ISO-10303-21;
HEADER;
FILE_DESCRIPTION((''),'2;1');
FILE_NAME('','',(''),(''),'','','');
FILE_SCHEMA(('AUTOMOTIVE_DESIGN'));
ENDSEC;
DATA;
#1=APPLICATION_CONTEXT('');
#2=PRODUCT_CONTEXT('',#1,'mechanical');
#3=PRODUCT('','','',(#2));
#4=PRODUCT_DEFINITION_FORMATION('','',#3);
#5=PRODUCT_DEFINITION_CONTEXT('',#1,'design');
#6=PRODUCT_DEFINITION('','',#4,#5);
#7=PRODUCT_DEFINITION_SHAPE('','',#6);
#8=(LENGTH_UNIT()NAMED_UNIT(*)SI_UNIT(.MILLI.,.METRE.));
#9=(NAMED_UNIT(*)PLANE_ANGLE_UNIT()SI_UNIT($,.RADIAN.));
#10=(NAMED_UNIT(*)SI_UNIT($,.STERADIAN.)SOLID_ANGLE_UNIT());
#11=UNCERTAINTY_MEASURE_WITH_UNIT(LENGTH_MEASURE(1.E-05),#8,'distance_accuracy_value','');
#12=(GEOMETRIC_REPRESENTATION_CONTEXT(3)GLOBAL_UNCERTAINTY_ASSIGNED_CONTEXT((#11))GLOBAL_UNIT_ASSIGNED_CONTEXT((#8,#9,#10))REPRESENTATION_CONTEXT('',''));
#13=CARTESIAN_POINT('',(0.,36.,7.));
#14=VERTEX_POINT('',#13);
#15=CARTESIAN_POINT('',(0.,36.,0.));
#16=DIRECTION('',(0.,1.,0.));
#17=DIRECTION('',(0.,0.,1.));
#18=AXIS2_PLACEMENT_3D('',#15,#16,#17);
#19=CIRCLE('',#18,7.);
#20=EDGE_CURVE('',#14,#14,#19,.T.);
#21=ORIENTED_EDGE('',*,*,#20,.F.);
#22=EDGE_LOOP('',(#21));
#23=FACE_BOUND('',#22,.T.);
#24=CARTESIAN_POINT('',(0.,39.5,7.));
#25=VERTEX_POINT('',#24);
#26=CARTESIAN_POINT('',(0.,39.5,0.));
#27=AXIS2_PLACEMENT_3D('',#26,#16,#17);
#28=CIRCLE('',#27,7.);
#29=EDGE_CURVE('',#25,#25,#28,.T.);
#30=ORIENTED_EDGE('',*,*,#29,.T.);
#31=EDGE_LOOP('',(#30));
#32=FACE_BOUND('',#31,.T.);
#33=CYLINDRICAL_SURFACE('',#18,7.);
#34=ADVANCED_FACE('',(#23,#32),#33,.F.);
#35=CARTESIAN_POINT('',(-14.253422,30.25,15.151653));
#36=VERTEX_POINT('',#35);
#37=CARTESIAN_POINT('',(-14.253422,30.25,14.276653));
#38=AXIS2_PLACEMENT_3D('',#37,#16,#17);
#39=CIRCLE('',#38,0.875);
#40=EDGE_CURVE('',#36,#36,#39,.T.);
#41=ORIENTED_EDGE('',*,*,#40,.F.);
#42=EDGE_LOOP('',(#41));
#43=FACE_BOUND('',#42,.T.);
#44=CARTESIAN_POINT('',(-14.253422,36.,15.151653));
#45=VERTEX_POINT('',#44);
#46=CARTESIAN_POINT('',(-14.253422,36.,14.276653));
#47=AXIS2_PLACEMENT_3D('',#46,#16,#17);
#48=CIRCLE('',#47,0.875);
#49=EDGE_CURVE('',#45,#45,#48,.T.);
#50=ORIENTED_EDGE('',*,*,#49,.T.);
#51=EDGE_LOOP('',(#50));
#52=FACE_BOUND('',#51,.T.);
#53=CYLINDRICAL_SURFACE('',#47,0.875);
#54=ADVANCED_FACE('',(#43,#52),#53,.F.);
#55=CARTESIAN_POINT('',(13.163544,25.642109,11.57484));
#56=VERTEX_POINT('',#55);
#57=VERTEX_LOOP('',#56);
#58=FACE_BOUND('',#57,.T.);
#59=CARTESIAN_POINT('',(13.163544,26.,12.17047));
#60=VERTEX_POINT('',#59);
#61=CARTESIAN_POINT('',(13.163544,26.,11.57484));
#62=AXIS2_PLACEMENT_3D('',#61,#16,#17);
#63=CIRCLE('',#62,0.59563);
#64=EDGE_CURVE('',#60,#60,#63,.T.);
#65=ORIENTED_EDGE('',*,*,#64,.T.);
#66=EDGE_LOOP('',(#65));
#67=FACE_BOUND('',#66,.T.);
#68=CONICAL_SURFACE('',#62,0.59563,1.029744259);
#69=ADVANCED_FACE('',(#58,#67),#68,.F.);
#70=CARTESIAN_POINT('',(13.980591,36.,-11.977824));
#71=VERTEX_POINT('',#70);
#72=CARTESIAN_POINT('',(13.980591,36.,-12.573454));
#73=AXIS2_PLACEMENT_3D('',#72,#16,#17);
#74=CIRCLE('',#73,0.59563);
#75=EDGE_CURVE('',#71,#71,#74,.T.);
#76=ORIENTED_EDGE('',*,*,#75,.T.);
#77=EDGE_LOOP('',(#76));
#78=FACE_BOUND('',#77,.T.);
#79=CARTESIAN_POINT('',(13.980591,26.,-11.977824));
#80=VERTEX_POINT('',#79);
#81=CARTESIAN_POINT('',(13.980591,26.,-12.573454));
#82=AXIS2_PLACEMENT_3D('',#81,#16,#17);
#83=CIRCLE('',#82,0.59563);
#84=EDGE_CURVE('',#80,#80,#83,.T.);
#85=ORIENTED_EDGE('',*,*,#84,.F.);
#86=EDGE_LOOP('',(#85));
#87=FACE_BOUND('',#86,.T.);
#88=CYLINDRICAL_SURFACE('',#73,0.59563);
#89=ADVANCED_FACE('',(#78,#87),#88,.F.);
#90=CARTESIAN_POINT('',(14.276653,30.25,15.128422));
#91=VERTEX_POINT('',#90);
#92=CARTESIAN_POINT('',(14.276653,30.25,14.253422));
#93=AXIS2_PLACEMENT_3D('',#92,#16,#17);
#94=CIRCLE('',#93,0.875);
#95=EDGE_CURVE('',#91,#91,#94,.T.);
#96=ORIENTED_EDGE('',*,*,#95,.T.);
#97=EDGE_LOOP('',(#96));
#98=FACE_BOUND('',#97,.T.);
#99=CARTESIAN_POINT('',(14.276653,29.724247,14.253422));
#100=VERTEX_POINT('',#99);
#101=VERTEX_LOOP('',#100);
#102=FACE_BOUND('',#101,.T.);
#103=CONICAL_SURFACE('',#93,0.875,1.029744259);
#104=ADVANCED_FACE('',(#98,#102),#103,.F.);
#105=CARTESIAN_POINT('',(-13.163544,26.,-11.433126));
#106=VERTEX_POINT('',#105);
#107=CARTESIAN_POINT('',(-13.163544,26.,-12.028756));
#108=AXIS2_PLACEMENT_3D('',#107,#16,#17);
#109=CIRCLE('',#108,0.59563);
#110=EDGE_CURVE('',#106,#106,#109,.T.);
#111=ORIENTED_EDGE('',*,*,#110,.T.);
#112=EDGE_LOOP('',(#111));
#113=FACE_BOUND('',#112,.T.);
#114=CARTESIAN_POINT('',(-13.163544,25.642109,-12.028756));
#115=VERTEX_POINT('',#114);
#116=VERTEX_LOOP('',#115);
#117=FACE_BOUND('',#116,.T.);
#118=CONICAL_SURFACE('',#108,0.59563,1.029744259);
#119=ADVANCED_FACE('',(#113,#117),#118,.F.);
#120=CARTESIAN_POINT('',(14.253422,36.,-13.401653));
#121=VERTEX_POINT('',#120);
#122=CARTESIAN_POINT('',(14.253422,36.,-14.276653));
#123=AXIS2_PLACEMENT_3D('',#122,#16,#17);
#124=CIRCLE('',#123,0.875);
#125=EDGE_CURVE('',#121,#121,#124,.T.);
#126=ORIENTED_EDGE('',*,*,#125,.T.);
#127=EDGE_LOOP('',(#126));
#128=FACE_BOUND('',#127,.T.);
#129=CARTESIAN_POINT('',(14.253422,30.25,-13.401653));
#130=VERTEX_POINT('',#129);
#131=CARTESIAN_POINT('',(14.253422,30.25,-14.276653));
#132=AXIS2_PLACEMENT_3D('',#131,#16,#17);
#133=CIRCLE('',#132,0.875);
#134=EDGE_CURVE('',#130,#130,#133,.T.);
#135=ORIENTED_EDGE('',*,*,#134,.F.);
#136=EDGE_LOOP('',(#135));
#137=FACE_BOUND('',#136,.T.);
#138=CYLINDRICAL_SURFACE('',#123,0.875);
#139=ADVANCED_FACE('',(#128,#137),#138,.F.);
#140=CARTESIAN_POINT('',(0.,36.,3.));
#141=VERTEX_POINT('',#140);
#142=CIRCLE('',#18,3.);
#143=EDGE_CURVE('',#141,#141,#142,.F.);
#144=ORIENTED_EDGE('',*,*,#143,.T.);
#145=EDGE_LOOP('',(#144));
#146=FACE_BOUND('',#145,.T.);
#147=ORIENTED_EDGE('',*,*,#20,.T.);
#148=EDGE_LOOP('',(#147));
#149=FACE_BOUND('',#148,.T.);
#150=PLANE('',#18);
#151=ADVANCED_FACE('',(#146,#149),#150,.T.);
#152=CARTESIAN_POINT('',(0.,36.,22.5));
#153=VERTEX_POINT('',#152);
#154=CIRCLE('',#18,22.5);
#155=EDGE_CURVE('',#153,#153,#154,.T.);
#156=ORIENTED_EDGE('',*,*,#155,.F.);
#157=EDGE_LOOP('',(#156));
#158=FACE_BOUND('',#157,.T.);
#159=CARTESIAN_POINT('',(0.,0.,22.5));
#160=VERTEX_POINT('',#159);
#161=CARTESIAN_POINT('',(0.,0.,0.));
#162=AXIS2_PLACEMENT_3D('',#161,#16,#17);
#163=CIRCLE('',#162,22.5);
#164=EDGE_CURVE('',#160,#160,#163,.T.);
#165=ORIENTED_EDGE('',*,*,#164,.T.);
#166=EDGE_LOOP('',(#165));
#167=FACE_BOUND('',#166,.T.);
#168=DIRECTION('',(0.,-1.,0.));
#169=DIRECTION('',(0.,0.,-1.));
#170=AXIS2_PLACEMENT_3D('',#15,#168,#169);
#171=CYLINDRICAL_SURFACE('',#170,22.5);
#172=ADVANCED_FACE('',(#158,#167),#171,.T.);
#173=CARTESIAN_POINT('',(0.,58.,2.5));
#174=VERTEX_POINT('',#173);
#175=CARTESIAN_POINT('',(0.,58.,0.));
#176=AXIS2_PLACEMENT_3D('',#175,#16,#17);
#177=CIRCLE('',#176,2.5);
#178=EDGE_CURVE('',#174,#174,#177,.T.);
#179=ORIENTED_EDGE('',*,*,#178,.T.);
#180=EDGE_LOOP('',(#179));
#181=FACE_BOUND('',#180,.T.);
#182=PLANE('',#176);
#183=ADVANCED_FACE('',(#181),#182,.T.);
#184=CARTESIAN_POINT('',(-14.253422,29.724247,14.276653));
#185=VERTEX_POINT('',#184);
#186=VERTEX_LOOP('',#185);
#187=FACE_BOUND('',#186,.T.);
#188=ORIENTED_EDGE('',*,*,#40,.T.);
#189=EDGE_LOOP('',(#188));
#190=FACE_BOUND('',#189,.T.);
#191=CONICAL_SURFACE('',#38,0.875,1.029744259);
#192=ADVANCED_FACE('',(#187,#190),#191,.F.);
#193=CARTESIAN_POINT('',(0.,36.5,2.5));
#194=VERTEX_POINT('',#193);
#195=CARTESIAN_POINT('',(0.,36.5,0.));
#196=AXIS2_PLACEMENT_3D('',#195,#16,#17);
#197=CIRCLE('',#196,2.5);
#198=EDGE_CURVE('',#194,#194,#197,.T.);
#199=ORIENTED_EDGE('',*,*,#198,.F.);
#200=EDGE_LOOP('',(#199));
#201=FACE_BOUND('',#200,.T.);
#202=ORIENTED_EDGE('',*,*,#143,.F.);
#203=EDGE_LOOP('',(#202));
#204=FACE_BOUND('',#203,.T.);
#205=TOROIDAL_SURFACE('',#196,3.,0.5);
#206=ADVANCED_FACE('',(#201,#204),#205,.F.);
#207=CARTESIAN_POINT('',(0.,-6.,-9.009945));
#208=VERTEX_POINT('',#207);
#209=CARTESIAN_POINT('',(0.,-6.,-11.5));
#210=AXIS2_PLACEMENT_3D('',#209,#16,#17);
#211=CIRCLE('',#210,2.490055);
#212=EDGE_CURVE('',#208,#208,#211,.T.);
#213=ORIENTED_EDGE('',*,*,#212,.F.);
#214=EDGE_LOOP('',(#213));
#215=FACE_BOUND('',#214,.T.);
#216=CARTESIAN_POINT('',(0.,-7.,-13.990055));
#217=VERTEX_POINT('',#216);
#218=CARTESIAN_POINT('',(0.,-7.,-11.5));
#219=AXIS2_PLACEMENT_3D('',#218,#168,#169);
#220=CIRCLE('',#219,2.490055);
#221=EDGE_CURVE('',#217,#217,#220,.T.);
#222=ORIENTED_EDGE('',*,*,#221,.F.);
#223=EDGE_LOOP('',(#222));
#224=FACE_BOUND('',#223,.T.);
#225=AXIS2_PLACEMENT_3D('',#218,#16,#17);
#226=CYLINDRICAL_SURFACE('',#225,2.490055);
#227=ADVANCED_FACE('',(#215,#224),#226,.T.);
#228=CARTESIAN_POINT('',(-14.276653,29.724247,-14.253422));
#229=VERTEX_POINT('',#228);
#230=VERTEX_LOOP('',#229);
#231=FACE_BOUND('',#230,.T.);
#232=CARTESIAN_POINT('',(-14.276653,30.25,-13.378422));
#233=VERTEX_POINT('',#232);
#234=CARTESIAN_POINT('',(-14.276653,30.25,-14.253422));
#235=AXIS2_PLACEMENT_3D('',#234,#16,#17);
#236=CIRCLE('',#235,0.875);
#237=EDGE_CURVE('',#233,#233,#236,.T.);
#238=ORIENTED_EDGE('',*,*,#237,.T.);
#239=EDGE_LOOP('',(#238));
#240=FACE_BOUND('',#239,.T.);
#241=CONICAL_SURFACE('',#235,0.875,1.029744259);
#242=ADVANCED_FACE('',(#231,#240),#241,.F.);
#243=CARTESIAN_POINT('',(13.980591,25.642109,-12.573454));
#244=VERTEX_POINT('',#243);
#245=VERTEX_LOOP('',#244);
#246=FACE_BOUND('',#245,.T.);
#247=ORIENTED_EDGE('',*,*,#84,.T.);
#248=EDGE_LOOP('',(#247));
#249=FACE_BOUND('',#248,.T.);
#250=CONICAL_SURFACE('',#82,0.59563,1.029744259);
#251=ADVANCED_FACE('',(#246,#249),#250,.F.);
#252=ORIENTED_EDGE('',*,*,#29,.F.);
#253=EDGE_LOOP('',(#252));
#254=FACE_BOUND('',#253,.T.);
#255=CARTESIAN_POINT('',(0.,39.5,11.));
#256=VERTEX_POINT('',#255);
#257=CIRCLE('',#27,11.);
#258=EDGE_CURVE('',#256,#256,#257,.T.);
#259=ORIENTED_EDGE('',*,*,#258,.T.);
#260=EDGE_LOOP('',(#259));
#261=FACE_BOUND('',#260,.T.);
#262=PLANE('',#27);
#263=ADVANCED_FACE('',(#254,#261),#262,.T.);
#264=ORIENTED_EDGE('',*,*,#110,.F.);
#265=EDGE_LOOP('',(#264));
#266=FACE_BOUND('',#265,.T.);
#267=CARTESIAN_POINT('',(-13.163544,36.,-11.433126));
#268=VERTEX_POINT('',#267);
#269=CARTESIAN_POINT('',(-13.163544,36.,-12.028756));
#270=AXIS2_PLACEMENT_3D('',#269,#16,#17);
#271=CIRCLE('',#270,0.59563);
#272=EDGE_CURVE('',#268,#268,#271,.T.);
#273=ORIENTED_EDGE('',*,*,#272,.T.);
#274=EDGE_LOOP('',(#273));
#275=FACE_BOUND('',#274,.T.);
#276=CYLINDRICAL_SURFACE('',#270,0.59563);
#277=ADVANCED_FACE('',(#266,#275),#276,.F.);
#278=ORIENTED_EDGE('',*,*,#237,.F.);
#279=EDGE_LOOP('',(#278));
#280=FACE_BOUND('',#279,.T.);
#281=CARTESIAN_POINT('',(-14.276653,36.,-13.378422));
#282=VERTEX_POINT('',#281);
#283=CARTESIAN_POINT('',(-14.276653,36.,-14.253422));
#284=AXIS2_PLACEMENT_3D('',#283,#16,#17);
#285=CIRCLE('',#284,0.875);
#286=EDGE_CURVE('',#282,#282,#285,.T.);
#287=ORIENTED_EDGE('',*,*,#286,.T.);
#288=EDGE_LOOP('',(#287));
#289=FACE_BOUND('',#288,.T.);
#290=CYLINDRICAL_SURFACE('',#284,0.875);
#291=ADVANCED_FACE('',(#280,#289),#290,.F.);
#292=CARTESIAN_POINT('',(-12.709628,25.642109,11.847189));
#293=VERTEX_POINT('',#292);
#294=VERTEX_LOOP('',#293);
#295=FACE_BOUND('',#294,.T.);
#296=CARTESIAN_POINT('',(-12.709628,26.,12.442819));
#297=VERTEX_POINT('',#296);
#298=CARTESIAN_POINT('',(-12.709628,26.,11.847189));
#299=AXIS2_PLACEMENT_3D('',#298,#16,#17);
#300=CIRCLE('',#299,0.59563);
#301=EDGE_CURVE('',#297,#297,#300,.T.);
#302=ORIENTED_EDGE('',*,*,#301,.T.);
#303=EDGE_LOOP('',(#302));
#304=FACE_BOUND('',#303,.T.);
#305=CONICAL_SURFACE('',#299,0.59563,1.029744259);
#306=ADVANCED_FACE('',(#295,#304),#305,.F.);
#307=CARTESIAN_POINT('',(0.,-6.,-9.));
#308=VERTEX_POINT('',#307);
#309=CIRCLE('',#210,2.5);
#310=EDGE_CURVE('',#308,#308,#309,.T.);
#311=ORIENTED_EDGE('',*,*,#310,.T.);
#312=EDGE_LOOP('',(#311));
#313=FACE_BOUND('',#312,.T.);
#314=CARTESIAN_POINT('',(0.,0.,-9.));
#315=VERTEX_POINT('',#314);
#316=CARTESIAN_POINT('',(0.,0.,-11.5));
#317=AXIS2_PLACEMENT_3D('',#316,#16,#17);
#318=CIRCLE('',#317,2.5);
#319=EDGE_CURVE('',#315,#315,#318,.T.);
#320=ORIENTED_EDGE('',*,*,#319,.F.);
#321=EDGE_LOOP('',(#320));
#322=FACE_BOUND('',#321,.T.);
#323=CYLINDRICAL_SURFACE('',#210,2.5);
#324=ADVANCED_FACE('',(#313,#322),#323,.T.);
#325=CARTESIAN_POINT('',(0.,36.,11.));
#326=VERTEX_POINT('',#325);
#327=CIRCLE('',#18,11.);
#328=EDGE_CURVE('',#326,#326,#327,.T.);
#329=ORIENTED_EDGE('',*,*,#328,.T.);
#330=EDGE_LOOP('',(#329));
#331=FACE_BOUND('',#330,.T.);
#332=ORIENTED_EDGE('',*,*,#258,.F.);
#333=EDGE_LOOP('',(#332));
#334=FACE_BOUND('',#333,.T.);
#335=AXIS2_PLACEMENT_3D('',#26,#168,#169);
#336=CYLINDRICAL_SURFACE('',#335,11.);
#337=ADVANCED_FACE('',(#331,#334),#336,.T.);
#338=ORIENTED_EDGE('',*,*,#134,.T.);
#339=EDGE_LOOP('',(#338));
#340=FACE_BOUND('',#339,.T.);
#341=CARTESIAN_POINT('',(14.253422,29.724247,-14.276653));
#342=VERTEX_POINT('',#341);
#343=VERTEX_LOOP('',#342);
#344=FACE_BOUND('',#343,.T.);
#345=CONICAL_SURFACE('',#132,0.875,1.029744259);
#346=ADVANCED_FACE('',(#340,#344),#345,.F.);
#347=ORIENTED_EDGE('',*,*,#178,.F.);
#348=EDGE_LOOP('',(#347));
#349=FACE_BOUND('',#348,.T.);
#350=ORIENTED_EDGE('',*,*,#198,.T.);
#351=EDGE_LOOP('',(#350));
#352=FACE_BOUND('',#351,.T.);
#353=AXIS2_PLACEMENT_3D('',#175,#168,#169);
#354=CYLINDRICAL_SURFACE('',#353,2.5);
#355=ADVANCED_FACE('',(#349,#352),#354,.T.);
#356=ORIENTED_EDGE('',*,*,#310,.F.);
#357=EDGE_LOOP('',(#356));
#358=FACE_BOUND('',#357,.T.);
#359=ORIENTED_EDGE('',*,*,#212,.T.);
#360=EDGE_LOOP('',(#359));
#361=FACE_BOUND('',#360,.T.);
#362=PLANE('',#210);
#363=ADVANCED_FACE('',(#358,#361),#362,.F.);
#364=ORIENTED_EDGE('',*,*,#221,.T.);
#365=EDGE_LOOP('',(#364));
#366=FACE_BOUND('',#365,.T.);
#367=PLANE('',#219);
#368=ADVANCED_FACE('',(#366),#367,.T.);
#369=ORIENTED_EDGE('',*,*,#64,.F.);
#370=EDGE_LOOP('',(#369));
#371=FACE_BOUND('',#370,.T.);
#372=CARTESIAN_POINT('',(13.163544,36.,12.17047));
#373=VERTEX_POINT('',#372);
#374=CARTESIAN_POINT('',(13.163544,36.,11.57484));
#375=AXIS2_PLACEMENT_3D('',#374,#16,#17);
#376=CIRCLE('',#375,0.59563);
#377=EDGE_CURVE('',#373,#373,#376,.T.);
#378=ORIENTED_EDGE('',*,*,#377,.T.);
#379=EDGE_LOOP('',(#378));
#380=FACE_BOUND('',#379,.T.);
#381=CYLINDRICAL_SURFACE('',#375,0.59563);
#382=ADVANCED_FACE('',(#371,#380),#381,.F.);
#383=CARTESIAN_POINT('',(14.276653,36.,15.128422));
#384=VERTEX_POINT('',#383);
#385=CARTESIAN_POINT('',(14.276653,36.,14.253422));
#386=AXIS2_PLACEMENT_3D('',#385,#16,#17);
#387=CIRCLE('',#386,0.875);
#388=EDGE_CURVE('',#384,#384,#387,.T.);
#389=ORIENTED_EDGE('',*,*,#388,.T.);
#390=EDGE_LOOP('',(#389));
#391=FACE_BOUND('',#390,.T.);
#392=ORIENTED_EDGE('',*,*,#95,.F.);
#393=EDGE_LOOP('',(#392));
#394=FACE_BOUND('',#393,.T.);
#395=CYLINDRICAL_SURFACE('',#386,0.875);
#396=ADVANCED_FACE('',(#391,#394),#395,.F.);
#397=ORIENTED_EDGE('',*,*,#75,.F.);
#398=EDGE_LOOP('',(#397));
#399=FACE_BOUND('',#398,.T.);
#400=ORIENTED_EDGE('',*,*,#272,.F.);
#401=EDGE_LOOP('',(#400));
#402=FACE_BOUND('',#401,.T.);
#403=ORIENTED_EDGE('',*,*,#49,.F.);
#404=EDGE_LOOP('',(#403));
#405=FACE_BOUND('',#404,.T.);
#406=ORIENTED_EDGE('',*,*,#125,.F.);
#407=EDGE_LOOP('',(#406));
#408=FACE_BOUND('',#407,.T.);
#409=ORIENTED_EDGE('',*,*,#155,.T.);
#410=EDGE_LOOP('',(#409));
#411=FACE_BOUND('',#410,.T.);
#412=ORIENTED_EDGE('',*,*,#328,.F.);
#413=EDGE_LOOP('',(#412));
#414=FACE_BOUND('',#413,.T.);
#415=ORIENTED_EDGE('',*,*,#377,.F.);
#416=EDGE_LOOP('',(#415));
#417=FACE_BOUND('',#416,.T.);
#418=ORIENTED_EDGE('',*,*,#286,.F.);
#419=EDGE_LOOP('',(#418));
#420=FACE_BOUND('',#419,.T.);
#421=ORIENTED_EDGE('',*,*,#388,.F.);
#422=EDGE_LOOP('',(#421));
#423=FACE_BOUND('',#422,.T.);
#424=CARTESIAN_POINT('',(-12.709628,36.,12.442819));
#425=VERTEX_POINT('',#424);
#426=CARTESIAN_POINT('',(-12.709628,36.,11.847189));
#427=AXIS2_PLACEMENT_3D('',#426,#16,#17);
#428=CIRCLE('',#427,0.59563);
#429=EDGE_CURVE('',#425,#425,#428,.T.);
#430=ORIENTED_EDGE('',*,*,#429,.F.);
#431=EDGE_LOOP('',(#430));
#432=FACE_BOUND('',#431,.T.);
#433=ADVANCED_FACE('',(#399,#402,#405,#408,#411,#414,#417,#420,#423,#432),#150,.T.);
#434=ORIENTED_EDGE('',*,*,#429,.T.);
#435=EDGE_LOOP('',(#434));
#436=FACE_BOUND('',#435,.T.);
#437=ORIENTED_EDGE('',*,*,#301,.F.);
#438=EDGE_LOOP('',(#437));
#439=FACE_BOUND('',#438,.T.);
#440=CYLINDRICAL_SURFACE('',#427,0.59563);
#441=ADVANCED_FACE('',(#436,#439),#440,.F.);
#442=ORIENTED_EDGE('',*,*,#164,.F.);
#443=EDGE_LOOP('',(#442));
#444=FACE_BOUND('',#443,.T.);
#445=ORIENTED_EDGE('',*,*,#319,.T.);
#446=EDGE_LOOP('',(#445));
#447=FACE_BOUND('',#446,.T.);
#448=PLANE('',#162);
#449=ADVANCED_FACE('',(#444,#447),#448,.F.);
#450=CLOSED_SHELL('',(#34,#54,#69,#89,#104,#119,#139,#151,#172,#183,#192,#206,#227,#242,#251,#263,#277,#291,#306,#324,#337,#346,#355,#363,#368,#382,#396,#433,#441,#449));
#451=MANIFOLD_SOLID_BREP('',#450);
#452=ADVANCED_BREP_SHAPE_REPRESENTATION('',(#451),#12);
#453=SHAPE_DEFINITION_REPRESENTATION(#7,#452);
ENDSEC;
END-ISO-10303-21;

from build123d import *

# Parameters (mm, degrees)
SKETCH1_R                    = 22.5
BOSS_EXTRUDE1_DEPTH          = 36
SKETCH2_R                    = 11
BOSS_EXTRUDE2_DEPTH          = 3.5
SKETCH5_R                    = 7
CUT_EXTRUDE1_DEPTH           = 3.5
SKETCH6_R                    = 2.5
BOSS_EXTRUDE3_DEPTH          = 22
FILLET1_R                    = 0.5
M2_2X0_45_TAPPED_HOLE1_D     = 1.75
M2_2X0_45_TAPPED_HOLE1_DEPTH = 5.75
M2_2X0_45_TAPPED_HOLE1_TIP   = 0.525753042
SKETCH21_R                   = 2.490055496
BOSS_EXTRUDE6_DEPTH          = 7
F_0_80_TAPPED_HOLE3_D        = 1.19126
F_0_80_TAPPED_HOLE3_DEPTH    = 10
F_0_80_TAPPED_HOLE3_TIP      = 0.357890611
SKETCH17_R                   = 2.5
BOSS_EXTRUDE5_DEPTH          = 6


with BuildPart() as part:
    # Sketch1 → Boss-Extrude1 (new body)
    with BuildSketch(Plane(origin=(0, 0, 0), x_dir=(1, 0, 0), z_dir=(0, 1, 0))):
        Circle(SKETCH1_R)
    extrude(amount=BOSS_EXTRUDE1_DEPTH)

    # Sketch2 → Boss-Extrude2 (add)
    with BuildSketch(Plane(origin=(0, 36, 0), x_dir=(1, 0, 0), z_dir=(0, 1, 0))):
        Circle(SKETCH2_R)
    extrude(amount=BOSS_EXTRUDE2_DEPTH)

    # Sketch5 → Cut-Extrude1 (cut)
    with BuildSketch(Plane(origin=(0, 39.5, 0), x_dir=(1, 0, 0), z_dir=(0, 1, 0))):
        Circle(SKETCH5_R)
    extrude(amount=-CUT_EXTRUDE1_DEPTH, mode=Mode.SUBTRACT)

    # Sketch6 → Boss-Extrude3 (add)
    with BuildSketch(Plane(origin=(0, 36, 0), x_dir=(1, 0, 0), z_dir=(0, 1, 0))):
        Circle(SKETCH6_R)
    extrude(amount=BOSS_EXTRUDE3_DEPTH)

    # Fillet1
    fillet1_edges = [part.edges().sort_by_distance(p)[0] for p in [
        (-2.5, 36, 0),
    ]]
    fillet(fillet1_edges, radius=FILLET1_R)

    # M2.2x0.45 Tapped Hole1
    with Locations(Plane(origin=(-14.276653016, 36, -14.253421631), x_dir=(0, 0, 1), z_dir=(0, 1, 0))):
        with Locations((0, 0), (-0.023231385, 28.530074647), (28.530074647, 0.023231385), (28.506843262, 28.553306032)):
            Hole(M2_2X0_45_TAPPED_HOLE1_D / 2, depth=M2_2X0_45_TAPPED_HOLE1_DEPTH)
            with Locations((0, 0, -(M2_2X0_45_TAPPED_HOLE1_DEPTH + M2_2X0_45_TAPPED_HOLE1_TIP / 2))):  # 118° drill point
                Cone(0, M2_2X0_45_TAPPED_HOLE1_D / 2, M2_2X0_45_TAPPED_HOLE1_TIP, mode=Mode.SUBTRACT)

    # Sketch21 → Boss-Extrude6 (add)
    with BuildSketch(Plane.XZ):
        with Locations((0, -11.5)):
            Circle(SKETCH21_R)
    extrude(amount=BOSS_EXTRUDE6_DEPTH)

    # #0-80 Tapped Hole3
    with Locations(Plane(origin=(-13.163543756, 36, -12.028755501), x_dir=(0, 0, 1), z_dir=(0, 1, 0))):
        with Locations((0, 0), (23.6035957, 26.327087512), (-0.544698362, 27.144135055), (23.875944881, 0.453915302)):
            Hole(F_0_80_TAPPED_HOLE3_D / 2, depth=F_0_80_TAPPED_HOLE3_DEPTH)
            with Locations((0, 0, -(F_0_80_TAPPED_HOLE3_DEPTH + F_0_80_TAPPED_HOLE3_TIP / 2))):  # 118° drill point
                Cone(0, F_0_80_TAPPED_HOLE3_D / 2, F_0_80_TAPPED_HOLE3_TIP, mode=Mode.SUBTRACT)

    # Sketch17 → Boss-Extrude5 (add)
    with BuildSketch(Plane(origin=(0, 0, 0), x_dir=(1, 0, 0), z_dir=(0, 1, 0))):
        with Locations((0, 11.5)):
            Circle(SKETCH17_R)
    extrude(amount=-BOSS_EXTRUDE5_DEPTH)


solid = part.part
